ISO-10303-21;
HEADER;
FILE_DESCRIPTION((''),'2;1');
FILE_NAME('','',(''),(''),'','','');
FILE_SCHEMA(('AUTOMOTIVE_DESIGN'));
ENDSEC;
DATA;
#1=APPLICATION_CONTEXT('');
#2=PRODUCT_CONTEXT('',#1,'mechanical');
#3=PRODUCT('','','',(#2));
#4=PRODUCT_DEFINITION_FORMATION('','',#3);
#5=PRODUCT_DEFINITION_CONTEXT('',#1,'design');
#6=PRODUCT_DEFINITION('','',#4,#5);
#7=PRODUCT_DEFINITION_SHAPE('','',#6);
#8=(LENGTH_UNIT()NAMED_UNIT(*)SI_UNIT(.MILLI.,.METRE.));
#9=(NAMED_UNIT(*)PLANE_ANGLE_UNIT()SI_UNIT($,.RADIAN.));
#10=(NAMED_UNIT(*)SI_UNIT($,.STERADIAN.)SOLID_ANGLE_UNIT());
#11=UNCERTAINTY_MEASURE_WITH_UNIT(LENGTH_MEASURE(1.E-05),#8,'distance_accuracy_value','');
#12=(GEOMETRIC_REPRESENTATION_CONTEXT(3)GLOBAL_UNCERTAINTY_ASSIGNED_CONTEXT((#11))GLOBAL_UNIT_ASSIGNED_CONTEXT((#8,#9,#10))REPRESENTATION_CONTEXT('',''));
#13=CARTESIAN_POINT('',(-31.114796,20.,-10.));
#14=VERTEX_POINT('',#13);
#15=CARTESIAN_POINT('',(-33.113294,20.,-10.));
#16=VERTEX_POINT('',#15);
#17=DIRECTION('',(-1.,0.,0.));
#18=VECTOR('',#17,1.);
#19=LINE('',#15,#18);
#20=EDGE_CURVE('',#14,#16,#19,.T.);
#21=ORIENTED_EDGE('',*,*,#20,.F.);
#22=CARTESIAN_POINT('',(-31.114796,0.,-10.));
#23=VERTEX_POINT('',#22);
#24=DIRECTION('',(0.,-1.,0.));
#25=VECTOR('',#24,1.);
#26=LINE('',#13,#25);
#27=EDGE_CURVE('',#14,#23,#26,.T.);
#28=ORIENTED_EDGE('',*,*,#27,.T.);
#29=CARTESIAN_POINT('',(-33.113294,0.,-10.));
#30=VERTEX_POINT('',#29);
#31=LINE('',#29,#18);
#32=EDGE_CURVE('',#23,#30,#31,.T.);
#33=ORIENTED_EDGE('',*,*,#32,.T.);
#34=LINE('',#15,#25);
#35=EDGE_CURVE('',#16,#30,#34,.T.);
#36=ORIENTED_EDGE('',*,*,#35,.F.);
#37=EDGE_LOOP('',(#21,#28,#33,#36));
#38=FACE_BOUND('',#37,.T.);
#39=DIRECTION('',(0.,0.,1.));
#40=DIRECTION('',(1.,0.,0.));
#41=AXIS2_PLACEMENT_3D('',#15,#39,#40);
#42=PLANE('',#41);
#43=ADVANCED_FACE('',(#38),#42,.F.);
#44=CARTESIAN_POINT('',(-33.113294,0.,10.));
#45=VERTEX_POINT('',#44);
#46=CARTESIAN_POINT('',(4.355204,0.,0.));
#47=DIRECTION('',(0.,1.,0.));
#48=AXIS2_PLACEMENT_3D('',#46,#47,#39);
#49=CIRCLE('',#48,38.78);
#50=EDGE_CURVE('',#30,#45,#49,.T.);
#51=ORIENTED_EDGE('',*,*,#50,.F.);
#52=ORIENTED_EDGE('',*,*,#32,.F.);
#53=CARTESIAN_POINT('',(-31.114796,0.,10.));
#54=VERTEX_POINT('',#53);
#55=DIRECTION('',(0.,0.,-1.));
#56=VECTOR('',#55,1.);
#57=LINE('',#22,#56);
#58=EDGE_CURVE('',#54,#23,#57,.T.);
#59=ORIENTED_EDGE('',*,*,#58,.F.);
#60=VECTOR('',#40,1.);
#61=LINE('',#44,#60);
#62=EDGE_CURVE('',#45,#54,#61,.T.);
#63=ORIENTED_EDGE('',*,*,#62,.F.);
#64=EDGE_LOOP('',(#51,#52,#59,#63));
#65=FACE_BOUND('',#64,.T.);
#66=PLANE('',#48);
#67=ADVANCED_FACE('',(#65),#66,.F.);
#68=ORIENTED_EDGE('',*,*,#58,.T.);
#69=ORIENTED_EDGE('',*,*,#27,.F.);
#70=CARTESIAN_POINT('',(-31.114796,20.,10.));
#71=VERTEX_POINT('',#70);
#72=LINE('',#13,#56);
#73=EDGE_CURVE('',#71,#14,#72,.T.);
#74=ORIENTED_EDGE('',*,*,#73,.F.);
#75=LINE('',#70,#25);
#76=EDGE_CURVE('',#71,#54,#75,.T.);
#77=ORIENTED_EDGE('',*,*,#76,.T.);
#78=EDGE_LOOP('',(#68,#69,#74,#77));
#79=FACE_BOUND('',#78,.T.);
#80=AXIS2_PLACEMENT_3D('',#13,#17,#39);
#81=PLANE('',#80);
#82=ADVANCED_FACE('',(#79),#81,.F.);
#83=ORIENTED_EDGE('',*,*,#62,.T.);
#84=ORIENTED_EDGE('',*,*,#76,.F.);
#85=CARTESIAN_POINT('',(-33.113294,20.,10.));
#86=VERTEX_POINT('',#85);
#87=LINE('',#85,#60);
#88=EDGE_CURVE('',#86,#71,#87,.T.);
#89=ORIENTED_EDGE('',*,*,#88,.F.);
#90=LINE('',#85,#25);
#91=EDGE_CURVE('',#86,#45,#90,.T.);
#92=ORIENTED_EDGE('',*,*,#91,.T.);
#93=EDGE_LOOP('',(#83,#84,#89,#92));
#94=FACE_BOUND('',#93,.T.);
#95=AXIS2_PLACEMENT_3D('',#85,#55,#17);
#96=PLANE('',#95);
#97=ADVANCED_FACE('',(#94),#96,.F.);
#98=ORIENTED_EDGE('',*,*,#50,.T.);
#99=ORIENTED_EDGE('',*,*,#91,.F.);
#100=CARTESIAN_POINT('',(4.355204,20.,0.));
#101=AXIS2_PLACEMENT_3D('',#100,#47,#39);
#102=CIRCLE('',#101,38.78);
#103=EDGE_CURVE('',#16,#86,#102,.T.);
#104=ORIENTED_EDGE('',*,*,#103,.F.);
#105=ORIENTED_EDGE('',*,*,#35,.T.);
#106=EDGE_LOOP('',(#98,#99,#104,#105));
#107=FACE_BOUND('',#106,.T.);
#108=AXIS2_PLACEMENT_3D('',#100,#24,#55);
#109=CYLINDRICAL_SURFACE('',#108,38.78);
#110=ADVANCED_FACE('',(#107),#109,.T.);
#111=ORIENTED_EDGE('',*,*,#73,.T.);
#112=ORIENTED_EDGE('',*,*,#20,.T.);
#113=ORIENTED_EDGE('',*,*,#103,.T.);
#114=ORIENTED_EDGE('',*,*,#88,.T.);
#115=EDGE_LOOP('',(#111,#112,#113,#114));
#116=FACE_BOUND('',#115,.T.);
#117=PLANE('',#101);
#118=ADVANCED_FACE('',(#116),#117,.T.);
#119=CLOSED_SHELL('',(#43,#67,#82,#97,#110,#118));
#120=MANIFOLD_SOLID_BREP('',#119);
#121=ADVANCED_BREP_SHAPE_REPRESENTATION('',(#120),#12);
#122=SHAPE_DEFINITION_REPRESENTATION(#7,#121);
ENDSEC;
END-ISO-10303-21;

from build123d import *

# Parameters (mm, degrees)
EXTRUDE_1_DEPTH = 20


with BuildPart() as part:
    # 草图1 → 凸台-拉伸1 (new body)
    with BuildSketch(Plane(origin=(0, 0, 0), x_dir=(1, 0, 0), z_dir=(0, 1, 0))):
        with BuildLine():
            Line((-33.113294434, 10), (-31.114795665, 10))
            Line((-31.114795665, 10), (-31.114795665, -10))
            Line((-31.114795665, -10), (-33.113294434, -10))
            ThreePointArc((-33.113294434, -10), (-34.424795665, 0), (-33.113294434, 10))
        make_face()
    extrude(amount=EXTRUDE_1_DEPTH)


solid = part.part
